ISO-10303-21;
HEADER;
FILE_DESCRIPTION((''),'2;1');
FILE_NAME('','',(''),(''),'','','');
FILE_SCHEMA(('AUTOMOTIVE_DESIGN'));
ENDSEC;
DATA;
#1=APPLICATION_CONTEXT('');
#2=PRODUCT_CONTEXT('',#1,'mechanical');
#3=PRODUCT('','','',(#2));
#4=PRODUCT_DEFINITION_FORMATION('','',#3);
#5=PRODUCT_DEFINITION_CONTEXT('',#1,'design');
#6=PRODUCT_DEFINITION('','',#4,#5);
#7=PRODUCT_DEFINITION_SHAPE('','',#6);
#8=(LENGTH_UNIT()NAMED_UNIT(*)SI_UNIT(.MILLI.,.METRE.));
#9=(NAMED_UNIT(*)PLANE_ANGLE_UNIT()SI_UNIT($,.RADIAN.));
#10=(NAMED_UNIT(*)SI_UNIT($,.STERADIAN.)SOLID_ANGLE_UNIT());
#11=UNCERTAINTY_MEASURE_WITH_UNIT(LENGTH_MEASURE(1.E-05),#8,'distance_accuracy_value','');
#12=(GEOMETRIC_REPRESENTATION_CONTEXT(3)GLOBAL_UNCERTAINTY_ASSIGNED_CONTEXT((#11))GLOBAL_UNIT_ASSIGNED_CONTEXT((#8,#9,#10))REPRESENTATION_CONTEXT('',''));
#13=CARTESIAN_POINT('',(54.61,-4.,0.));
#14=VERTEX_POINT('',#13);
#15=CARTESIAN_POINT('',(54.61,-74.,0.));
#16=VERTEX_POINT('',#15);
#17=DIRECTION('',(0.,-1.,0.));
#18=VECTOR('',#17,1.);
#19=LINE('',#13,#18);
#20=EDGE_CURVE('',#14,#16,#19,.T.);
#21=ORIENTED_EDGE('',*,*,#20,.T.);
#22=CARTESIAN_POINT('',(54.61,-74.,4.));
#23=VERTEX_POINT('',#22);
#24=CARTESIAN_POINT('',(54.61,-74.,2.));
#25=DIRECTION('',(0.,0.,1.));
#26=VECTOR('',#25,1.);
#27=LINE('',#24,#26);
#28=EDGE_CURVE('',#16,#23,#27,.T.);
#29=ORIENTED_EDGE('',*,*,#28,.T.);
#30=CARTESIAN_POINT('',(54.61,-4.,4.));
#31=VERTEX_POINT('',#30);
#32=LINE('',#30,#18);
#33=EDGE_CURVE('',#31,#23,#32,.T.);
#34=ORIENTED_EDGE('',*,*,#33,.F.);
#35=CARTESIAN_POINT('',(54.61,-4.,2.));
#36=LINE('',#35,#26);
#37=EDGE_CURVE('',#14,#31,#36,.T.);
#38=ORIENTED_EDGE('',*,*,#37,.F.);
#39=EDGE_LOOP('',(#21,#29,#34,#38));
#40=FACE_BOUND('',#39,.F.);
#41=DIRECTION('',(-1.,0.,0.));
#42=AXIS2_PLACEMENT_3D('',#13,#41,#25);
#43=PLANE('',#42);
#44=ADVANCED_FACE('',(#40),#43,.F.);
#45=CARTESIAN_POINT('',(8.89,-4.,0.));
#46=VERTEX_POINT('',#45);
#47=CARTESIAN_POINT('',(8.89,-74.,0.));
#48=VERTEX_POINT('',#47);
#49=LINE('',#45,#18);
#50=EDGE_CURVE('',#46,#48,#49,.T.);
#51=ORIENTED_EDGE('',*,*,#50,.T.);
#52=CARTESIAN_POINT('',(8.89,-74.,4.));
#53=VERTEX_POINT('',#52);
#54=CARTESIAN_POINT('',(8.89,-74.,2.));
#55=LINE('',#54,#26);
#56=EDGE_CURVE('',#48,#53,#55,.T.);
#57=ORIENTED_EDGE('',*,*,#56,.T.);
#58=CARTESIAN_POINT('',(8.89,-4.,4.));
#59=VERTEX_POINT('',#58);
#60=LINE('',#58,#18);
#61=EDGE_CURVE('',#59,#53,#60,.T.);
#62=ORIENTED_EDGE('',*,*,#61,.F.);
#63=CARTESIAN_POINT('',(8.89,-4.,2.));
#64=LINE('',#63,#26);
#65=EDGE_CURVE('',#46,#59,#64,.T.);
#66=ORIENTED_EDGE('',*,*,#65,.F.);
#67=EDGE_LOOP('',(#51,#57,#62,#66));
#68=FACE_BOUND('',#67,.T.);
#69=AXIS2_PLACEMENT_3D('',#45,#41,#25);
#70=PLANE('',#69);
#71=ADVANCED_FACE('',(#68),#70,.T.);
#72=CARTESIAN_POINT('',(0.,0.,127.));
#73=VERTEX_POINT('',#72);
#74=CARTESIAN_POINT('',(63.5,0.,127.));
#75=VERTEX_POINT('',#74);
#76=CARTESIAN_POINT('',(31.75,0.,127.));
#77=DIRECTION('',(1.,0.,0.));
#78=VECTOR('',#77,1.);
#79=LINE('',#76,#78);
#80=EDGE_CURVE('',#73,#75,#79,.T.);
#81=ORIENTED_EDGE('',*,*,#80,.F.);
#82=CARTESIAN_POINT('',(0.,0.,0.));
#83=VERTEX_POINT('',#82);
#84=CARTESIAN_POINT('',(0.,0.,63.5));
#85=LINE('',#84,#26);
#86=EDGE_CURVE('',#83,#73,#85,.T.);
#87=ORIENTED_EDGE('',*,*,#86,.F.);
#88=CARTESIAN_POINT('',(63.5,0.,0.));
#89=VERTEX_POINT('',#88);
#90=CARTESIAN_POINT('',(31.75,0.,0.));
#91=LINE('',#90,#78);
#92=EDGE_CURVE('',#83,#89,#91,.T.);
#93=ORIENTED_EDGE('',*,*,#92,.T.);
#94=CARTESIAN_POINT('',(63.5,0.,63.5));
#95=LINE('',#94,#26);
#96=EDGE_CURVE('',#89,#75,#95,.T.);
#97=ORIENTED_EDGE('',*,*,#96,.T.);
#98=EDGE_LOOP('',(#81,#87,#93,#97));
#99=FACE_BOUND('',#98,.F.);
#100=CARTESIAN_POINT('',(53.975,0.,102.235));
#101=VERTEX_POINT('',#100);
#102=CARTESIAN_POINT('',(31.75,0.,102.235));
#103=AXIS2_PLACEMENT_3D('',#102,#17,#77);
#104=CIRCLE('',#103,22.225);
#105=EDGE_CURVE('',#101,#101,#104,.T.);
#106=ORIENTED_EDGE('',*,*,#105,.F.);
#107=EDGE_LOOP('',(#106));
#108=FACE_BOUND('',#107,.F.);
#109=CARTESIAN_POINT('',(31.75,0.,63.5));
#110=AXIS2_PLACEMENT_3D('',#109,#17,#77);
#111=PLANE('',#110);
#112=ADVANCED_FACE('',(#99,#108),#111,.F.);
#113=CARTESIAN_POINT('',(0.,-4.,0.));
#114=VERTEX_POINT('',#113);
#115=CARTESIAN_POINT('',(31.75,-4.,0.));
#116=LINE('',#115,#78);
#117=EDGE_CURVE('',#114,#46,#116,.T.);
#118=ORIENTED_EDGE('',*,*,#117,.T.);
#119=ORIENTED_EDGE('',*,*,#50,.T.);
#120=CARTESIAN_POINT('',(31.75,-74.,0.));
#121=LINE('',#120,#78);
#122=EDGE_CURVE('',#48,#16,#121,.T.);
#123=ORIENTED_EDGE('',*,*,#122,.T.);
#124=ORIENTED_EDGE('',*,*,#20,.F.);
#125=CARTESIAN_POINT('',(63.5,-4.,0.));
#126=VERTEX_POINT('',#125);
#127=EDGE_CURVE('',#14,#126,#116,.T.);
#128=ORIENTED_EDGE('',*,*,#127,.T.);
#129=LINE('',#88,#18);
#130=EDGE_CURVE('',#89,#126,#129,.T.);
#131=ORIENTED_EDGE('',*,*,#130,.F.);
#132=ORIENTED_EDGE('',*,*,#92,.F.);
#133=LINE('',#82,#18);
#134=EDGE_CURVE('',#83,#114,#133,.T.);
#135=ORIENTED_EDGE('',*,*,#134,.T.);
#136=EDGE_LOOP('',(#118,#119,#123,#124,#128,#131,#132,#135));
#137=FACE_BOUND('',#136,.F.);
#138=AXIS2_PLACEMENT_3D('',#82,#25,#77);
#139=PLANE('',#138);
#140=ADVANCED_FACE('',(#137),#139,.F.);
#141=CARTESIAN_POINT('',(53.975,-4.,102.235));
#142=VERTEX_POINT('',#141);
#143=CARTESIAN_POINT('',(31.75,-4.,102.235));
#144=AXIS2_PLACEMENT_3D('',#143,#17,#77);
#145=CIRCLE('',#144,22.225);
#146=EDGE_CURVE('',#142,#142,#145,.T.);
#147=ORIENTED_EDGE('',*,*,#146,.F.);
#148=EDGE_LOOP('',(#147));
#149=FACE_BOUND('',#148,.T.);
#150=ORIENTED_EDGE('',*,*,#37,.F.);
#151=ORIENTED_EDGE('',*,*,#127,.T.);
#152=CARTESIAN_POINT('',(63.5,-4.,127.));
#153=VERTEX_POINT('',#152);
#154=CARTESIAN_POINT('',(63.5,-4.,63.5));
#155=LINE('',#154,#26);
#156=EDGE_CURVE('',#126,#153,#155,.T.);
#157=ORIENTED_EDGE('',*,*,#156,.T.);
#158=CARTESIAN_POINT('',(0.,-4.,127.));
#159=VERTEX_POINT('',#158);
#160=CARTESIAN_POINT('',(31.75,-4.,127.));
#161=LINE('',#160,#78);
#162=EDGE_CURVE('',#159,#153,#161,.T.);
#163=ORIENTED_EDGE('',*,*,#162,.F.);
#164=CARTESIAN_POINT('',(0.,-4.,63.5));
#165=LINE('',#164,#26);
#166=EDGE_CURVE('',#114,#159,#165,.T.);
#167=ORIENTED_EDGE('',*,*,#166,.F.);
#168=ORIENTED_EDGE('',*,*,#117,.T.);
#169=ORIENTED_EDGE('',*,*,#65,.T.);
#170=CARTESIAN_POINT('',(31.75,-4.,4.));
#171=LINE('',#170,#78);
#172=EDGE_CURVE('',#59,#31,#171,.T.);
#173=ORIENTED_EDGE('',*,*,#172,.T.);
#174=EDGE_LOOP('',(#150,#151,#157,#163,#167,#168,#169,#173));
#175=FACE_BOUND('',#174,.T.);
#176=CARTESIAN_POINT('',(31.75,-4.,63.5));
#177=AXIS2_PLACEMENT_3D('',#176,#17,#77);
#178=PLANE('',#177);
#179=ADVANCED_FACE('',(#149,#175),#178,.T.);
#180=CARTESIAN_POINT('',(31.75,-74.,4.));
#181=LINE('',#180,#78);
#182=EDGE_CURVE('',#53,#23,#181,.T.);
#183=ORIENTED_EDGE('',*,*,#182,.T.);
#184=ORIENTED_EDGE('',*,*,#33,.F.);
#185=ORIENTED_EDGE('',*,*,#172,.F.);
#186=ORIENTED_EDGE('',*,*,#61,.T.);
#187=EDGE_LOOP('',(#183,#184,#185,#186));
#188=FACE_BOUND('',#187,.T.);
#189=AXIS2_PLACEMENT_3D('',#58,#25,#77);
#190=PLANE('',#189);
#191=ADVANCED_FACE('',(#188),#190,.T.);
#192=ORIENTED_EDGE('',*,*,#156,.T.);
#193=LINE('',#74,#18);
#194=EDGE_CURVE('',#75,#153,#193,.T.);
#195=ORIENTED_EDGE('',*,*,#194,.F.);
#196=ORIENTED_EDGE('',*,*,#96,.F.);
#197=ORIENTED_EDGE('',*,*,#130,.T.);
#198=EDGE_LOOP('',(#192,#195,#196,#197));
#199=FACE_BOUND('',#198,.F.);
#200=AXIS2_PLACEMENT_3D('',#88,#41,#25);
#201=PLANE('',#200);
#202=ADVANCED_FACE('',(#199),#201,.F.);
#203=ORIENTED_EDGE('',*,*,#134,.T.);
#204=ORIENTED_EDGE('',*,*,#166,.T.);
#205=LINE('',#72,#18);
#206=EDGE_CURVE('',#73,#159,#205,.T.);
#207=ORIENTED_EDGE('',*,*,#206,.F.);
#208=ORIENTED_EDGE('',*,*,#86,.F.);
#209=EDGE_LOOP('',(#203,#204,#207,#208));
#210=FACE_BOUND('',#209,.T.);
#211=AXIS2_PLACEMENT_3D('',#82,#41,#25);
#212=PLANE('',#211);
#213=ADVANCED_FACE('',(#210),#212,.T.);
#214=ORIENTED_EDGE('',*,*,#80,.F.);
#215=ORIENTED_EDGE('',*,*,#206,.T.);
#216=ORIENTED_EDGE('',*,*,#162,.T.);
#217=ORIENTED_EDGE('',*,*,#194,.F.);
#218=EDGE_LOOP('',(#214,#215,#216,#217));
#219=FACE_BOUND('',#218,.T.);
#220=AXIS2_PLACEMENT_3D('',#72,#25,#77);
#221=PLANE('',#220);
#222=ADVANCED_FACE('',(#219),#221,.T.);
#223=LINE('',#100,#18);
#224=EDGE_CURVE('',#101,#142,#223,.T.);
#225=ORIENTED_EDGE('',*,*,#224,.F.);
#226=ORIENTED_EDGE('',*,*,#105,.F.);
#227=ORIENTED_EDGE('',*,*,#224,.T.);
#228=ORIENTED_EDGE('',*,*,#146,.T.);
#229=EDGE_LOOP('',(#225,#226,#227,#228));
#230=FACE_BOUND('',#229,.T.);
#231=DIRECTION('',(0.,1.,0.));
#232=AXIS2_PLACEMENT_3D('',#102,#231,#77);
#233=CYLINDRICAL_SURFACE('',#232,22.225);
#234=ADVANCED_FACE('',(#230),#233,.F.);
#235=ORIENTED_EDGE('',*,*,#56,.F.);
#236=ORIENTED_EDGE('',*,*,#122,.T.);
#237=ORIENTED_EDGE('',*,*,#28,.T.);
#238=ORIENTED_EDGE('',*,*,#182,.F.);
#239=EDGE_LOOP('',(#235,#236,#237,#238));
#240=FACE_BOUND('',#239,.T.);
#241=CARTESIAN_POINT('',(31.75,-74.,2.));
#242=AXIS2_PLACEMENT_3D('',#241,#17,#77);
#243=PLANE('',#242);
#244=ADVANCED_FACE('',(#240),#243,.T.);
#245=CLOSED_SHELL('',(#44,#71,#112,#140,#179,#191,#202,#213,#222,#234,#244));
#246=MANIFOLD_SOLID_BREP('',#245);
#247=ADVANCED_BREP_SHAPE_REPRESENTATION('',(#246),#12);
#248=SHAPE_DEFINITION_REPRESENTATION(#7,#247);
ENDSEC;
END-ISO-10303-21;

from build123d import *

# Parameters (mm, degrees)
F0_W     = 63.5
F0_H     = 127
F0_R     = 22.225
F1_DEPTH = 4
F2_W     = 45.72
F2_H     = 4
F3_DEPTH = 70


with BuildPart() as f1:
    # F0 (on Front) → F1 (new body)
    with BuildSketch(Plane.XZ):
        with Locations((31.75, 63.5)):
            Rectangle(F0_W, F0_H)
        with Locations((31.75, 102.235)):
            Circle(F0_R, mode=Mode.SUBTRACT)
    extrude(amount=F1_DEPTH)

    # F2 (on face) → F3 (join)
    with BuildSketch(Plane.XZ.offset(4)):
        with Locations((31.75, 2)):
            Rectangle(F2_W, F2_H)
    extrude(amount=F3_DEPTH)


solid = f1.part
